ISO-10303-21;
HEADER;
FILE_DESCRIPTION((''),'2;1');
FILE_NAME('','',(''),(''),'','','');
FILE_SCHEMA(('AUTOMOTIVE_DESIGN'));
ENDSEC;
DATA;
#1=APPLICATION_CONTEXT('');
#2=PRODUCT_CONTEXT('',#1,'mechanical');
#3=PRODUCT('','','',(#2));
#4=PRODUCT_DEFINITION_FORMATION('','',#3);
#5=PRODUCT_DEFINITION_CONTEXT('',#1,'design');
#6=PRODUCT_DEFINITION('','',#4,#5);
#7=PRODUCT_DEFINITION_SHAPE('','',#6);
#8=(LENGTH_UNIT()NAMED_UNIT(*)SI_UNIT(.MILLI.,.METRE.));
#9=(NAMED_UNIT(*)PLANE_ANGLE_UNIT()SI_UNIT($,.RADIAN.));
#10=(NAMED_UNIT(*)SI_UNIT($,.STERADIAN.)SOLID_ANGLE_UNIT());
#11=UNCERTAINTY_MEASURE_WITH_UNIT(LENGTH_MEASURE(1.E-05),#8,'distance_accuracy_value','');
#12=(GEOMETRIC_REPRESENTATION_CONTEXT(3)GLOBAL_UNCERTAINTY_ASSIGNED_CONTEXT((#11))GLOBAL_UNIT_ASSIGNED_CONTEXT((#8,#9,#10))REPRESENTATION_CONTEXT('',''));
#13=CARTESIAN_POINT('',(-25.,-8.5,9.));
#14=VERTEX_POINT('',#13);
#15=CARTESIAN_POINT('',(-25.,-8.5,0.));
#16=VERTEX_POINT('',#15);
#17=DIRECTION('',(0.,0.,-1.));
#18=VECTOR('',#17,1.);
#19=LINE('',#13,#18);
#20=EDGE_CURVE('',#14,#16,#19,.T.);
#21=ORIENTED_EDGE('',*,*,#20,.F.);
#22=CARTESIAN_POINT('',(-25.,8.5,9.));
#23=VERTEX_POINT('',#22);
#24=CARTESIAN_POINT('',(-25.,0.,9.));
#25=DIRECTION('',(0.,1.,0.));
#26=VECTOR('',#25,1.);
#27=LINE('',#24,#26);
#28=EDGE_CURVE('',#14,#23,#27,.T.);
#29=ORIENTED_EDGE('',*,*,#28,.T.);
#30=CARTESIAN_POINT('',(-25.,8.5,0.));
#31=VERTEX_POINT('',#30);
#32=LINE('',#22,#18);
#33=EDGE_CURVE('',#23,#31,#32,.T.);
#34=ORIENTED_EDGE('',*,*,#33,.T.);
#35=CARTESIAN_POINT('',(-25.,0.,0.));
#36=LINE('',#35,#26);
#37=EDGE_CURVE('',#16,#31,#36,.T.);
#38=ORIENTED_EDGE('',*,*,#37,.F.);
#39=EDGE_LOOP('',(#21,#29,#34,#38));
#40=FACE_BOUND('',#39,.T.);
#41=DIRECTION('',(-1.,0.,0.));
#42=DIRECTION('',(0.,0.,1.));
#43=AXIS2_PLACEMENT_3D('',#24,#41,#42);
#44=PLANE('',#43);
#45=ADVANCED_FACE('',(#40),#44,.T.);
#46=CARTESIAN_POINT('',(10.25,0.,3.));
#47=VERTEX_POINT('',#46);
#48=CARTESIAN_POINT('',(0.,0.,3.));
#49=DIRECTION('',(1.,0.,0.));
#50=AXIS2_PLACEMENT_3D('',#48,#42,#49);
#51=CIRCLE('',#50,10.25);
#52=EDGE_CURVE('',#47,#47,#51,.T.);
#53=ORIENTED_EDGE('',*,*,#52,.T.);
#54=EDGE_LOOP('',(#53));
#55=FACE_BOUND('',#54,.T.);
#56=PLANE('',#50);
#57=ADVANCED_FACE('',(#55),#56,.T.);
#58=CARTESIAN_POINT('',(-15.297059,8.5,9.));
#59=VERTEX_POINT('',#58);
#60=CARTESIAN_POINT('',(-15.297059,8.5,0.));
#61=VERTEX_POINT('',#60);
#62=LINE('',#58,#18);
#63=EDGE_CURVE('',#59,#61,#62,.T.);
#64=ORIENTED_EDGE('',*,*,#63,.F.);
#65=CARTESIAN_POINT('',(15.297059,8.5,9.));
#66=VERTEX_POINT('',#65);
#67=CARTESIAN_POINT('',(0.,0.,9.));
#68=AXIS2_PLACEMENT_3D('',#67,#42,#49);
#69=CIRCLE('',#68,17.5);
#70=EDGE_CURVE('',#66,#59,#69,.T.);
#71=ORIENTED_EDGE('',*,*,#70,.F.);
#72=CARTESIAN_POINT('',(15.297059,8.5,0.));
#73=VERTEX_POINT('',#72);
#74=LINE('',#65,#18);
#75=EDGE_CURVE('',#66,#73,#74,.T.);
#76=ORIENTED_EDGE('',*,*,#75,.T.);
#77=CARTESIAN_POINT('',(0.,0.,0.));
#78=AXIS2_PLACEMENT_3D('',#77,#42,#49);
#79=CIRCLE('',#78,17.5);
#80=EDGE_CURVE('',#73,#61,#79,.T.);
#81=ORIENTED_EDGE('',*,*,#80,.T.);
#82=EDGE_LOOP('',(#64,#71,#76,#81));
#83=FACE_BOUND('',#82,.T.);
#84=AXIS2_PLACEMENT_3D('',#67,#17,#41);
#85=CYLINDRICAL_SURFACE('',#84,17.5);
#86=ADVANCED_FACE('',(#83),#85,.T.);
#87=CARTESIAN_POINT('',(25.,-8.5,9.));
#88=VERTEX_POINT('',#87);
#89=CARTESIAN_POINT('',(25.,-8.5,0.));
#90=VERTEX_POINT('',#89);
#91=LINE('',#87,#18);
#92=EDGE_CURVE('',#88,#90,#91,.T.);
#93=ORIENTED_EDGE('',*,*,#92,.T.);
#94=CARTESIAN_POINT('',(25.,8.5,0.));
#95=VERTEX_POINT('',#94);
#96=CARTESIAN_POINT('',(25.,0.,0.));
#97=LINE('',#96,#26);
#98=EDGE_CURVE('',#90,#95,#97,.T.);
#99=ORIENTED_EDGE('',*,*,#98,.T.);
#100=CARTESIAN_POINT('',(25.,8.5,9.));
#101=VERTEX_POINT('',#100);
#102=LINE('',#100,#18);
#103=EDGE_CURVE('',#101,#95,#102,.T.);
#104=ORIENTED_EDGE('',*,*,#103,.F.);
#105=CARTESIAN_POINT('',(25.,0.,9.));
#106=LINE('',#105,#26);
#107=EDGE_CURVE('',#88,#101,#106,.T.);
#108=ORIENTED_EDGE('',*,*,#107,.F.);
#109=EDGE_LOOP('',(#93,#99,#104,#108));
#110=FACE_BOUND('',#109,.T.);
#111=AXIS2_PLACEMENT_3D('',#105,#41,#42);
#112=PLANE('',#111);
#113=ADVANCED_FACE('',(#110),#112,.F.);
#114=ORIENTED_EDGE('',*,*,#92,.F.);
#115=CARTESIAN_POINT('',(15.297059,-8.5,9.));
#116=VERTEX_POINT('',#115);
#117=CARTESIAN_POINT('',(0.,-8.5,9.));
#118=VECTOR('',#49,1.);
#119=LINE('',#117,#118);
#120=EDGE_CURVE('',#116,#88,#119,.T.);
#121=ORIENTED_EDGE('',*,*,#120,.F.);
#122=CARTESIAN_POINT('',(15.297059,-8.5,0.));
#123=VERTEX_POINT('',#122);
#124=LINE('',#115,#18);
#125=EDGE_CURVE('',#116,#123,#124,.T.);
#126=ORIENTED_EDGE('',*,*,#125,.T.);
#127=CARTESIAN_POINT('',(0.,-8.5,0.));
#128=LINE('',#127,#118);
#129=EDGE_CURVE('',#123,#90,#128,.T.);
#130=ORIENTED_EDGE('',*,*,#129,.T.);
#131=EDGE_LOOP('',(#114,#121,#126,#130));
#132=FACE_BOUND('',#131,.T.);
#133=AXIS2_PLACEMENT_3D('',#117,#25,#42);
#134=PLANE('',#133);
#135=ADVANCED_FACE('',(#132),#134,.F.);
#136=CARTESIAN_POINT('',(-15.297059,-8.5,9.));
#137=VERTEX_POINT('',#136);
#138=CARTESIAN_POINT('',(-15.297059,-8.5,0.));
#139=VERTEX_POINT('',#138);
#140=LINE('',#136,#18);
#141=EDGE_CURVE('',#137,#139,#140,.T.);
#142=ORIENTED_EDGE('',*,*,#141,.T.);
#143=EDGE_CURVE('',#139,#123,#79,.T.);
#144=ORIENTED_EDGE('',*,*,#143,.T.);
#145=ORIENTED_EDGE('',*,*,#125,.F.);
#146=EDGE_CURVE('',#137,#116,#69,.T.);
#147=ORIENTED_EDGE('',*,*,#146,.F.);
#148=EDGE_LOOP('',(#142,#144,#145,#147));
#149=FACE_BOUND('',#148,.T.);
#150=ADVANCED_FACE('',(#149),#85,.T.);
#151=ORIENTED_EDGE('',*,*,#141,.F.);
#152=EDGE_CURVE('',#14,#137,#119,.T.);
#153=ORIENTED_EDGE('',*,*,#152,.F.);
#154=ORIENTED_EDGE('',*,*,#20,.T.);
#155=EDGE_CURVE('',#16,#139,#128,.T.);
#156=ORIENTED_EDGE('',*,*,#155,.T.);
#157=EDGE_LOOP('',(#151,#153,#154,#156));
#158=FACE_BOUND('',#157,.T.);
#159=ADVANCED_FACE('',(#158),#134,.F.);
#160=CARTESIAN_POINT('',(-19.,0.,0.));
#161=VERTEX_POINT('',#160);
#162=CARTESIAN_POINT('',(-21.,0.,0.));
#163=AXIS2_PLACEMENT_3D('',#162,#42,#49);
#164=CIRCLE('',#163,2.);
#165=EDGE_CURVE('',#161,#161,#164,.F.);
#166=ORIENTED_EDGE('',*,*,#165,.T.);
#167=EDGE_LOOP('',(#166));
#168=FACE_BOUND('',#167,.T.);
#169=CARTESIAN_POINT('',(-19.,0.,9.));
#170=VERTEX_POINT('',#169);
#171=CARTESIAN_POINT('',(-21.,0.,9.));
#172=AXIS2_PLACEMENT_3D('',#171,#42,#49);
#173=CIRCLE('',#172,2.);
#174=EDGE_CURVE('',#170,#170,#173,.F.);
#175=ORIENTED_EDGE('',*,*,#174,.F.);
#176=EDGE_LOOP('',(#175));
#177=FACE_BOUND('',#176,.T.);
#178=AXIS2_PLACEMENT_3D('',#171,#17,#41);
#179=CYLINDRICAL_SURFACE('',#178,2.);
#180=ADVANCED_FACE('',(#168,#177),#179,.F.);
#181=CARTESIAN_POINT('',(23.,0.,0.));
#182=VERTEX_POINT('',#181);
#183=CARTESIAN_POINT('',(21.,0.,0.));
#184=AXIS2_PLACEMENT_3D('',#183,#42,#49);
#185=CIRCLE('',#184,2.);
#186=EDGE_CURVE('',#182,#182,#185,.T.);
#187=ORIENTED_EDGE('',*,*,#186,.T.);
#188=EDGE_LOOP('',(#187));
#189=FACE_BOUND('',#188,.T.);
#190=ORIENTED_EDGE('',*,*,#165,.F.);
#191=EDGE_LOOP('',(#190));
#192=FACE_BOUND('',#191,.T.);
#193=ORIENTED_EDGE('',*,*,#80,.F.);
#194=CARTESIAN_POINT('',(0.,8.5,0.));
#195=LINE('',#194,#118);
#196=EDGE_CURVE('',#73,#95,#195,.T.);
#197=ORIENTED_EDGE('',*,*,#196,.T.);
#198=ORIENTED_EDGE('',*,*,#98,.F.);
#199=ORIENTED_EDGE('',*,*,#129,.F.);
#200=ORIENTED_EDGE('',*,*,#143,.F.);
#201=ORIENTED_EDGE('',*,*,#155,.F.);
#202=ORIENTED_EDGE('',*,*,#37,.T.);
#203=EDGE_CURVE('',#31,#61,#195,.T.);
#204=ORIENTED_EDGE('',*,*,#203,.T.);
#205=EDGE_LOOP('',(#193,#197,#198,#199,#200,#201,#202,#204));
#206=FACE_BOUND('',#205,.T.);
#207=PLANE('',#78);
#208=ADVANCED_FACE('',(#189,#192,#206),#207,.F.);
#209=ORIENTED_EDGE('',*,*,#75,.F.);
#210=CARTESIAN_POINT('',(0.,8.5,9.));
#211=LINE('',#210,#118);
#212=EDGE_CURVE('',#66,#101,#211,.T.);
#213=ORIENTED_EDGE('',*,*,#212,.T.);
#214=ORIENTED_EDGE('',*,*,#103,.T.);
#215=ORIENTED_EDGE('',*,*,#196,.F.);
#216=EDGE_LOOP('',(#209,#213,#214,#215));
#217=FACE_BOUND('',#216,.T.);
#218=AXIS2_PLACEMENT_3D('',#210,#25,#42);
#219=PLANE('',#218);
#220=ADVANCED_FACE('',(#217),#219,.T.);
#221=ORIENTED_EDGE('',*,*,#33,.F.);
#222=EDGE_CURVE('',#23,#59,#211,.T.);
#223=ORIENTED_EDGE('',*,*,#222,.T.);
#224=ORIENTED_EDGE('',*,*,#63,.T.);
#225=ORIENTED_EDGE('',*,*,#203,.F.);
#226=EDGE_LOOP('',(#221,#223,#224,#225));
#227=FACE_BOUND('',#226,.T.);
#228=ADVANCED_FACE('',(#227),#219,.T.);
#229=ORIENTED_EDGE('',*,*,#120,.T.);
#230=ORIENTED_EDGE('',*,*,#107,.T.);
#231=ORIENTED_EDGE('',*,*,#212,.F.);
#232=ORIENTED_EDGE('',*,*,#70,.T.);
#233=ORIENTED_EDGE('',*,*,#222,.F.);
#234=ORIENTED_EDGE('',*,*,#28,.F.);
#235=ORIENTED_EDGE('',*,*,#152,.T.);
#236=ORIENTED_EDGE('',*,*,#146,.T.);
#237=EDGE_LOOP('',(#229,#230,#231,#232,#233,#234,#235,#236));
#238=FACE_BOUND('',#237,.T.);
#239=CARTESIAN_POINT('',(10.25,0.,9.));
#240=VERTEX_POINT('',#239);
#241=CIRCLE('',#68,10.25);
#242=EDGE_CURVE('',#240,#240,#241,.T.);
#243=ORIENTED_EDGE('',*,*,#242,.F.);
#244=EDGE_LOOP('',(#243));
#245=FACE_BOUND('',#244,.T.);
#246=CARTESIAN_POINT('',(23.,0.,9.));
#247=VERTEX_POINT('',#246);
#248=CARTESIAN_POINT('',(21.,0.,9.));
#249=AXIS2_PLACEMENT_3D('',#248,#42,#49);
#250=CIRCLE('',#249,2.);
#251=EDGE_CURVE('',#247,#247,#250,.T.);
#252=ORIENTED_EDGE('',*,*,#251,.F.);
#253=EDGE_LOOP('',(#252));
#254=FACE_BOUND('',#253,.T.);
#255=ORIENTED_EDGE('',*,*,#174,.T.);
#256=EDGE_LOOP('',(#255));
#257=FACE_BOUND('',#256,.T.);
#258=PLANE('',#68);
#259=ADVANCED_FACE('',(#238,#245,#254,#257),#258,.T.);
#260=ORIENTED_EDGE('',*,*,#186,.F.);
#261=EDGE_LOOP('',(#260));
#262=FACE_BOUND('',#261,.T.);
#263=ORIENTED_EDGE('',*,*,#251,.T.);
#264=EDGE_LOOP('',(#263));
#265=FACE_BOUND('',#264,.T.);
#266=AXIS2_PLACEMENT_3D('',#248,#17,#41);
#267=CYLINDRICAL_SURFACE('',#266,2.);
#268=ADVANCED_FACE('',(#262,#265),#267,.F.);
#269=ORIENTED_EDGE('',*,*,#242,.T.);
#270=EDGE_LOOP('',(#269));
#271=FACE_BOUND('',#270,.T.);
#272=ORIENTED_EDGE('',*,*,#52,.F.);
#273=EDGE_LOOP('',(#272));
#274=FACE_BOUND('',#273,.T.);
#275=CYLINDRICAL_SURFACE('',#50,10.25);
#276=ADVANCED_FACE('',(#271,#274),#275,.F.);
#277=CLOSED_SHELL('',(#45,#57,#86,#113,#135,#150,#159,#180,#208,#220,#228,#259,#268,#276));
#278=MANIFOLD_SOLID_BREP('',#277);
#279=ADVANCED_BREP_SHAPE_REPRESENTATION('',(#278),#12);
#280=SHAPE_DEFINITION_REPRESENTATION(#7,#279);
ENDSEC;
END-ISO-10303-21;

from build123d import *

# Parameters (mm, degrees)
SKETCH1_R           = 2
BOSS_EXTRUDE3_DEPTH = 9
SKETCH2_R           = 10.25
CUT_EXTRUDE1_DEPTH  = 6


with BuildPart() as part:
    # Sketch1 → Boss-Extrude3 (new body)
    # profile 1 of 5: a face of its own
    with BuildSketch(Plane.XY):
        with BuildLine():
            Line((-25, 8.5), (-25, -8.5))
            Line((-25, -8.5), (-15.297058541, -8.5))
            ThreePointArc((-15.297058541, -8.5), (-17.5, 0), (-15.297058541, 8.5))
            Line((-15.297058541, 8.5), (-25, 8.5))
        make_face()
        with Locations((-21, 0)):
            Circle(SKETCH1_R, mode=Mode.SUBTRACT)
    # profile 2 of 5: a face of its own
    with BuildSketch(Plane.XY):
        with BuildLine():
            ThreePointArc((15.297058541, 8.5), (0, 17.5), (-15.297058541, 8.5))
            Line((-15.297058541, 8.5), (15.297058541, 8.5))
        make_face()
    # profile 3 of 5: a face of its own
    with BuildSketch(Plane.XY):
        with BuildLine():
            ThreePointArc((-15.297058541, 8.5), (-17.5, 0), (-15.297058541, -8.5))
            Line((-15.297058541, -8.5), (15.297058541, -8.5))
            ThreePointArc((15.297058541, -8.5), (16.940314703, -4.390414305), (17.5, 0))
            ThreePointArc((17.5, 0), (16.940314703, 4.390414305), (15.297058541, 8.5))
            Line((15.297058541, 8.5), (-15.297058541, 8.5))
        make_face()
    # profile 4 of 5: a face of its own
    with BuildSketch(Plane.XY):
        with BuildLine():
            Line((15.297058541, -8.5), (-15.297058541, -8.5))
            ThreePointArc((-15.297058541, -8.5), (0, -17.5), (15.297058541, -8.5))
        make_face()
    # profile 5 of 5: a face of its own
    with BuildSketch(Plane.XY):
        with BuildLine():
            ThreePointArc((17.5, 0), (16.940314703, -4.390414305), (15.297058541, -8.5))
            Line((15.297058541, -8.5), (25, -8.5))
            Line((25, -8.5), (25, 8.5))
            Line((25, 8.5), (15.297058541, 8.5))
            ThreePointArc((15.297058541, 8.5), (16.940314703, 4.390414305), (17.5, 0))
        make_face()
        with Locations((21, 0)):
            Circle(SKETCH1_R, mode=Mode.SUBTRACT)
    extrude(amount=BOSS_EXTRUDE3_DEPTH)

    # Sketch2 → Cut-Extrude1 (cut)
    with BuildSketch(Plane.XY.offset(9)):
        Circle(SKETCH2_R)
    extrude(amount=-CUT_EXTRUDE1_DEPTH, mode=Mode.SUBTRACT)


solid = part.part
